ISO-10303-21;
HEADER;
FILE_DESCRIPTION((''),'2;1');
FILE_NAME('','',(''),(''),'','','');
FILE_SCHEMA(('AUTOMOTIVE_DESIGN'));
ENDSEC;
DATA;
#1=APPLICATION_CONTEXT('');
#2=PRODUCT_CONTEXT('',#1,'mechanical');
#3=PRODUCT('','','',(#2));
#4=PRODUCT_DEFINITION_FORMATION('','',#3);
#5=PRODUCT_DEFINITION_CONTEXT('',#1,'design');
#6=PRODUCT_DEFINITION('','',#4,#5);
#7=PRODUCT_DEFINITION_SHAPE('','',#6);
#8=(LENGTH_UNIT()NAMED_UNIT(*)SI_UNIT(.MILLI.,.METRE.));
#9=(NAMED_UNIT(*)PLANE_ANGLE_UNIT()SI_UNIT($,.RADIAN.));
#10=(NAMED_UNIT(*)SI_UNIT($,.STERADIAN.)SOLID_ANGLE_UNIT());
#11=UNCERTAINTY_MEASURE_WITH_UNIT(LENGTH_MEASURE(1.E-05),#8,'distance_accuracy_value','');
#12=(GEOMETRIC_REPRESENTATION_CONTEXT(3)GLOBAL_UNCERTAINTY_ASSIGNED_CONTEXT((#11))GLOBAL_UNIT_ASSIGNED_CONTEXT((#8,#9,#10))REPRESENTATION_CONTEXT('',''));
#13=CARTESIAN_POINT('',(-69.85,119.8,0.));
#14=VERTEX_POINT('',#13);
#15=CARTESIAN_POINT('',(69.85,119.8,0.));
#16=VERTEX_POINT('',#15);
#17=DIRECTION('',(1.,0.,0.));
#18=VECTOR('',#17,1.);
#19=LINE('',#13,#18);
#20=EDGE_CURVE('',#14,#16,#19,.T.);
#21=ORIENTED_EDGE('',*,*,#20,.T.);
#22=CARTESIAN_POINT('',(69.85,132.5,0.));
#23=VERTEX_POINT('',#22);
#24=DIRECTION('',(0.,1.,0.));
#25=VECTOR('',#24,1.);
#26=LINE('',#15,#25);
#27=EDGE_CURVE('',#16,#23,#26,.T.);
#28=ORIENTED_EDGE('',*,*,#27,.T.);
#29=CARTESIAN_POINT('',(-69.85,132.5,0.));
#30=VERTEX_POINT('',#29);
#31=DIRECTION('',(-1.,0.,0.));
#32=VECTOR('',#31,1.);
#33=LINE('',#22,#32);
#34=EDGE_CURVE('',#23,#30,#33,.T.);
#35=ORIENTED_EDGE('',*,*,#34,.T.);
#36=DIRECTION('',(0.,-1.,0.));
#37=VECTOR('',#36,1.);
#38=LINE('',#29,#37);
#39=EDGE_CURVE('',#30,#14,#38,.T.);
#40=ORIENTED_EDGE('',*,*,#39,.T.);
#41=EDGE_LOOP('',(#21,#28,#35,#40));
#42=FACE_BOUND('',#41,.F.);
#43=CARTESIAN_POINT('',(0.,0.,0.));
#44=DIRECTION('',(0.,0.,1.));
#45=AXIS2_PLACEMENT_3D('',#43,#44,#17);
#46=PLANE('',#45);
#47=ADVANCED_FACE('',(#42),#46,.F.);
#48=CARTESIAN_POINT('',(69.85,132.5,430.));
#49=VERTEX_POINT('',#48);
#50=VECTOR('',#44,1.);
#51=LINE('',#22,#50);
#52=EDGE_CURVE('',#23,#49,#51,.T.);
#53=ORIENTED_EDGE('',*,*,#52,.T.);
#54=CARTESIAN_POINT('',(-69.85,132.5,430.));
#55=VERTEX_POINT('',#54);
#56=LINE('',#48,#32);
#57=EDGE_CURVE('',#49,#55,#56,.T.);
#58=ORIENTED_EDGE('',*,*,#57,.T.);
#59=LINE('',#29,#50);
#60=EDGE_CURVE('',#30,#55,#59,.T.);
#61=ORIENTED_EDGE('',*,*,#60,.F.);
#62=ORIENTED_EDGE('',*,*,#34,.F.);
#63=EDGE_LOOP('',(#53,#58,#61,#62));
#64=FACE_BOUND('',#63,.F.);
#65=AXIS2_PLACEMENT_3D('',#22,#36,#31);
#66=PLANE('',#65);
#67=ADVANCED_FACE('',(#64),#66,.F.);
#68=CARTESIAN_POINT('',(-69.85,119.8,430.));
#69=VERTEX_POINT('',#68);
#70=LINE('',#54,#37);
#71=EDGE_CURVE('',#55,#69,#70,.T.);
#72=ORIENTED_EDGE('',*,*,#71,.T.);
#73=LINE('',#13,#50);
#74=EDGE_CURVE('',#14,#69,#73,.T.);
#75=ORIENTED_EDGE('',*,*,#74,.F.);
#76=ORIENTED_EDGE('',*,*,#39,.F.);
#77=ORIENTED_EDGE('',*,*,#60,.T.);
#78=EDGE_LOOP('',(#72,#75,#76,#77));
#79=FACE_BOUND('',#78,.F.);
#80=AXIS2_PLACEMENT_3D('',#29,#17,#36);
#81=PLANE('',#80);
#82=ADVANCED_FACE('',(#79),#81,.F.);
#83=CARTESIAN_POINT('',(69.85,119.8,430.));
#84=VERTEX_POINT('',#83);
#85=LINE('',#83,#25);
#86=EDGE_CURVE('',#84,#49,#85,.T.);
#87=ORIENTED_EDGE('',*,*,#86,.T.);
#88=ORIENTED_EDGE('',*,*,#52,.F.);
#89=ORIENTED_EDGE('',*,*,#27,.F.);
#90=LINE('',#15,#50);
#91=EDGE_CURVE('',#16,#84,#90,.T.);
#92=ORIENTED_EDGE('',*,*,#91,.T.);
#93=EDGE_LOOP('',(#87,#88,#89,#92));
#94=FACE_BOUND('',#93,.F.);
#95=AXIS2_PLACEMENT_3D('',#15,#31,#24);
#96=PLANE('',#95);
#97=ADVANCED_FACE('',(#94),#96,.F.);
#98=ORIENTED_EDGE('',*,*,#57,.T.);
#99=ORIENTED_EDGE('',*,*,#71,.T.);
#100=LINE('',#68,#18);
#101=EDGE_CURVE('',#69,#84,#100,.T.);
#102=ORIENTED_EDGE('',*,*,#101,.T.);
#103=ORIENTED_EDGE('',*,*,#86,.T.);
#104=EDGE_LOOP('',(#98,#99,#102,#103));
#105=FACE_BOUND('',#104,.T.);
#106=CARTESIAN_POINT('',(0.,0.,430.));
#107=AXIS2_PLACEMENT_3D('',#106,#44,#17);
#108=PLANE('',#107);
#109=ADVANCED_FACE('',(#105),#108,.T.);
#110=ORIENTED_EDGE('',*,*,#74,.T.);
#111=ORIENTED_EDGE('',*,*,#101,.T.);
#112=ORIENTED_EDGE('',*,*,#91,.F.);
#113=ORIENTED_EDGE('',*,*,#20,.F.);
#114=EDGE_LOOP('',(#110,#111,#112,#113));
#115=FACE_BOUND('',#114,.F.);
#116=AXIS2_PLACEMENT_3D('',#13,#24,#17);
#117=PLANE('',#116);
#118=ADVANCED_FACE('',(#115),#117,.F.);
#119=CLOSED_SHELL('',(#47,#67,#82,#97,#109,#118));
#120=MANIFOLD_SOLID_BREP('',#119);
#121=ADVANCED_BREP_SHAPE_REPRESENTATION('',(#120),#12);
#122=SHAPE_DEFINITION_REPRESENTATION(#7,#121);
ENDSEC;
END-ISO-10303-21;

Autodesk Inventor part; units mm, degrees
ref_plane "YZ Plane" through (0, 0, 0) normal (1, 0, 0) x (0, 1, 0)
ref_plane "XZ Plane" through (0, 0, 0) normal (0, 1, 0) x (-1, 0, 0)
ref_plane "XY Plane" through (0, 0, 0) normal (0, 0, 1) x (1, 0, 0)
sketch "Sketch1" plane through (0, 0, 0) normal (0, 0, 1) x (1, 0, 0)
  line L0 (-69.85, 132.5) -> (-69.85, -132.5) projected
  line L1 (69.85, 132.5) -> (-69.85, 132.5)
  line L2 (-69.85, 132.5) -> (-69.85, 119.8)
  line L3 (-69.85, 119.8) -> (69.85, 119.8)
  line L4 (69.85, 119.8) -> (69.85, 132.5)
  point P0 (0, 0)
  point P1 (69.85, 111.3788)
  point P2 (-57.15, -132.5)
  point P3 (-57.15, -68.2625)
extrude "Extrusion1" add sketch "Sketch1" along normal blind 430
properties part number "Back"
